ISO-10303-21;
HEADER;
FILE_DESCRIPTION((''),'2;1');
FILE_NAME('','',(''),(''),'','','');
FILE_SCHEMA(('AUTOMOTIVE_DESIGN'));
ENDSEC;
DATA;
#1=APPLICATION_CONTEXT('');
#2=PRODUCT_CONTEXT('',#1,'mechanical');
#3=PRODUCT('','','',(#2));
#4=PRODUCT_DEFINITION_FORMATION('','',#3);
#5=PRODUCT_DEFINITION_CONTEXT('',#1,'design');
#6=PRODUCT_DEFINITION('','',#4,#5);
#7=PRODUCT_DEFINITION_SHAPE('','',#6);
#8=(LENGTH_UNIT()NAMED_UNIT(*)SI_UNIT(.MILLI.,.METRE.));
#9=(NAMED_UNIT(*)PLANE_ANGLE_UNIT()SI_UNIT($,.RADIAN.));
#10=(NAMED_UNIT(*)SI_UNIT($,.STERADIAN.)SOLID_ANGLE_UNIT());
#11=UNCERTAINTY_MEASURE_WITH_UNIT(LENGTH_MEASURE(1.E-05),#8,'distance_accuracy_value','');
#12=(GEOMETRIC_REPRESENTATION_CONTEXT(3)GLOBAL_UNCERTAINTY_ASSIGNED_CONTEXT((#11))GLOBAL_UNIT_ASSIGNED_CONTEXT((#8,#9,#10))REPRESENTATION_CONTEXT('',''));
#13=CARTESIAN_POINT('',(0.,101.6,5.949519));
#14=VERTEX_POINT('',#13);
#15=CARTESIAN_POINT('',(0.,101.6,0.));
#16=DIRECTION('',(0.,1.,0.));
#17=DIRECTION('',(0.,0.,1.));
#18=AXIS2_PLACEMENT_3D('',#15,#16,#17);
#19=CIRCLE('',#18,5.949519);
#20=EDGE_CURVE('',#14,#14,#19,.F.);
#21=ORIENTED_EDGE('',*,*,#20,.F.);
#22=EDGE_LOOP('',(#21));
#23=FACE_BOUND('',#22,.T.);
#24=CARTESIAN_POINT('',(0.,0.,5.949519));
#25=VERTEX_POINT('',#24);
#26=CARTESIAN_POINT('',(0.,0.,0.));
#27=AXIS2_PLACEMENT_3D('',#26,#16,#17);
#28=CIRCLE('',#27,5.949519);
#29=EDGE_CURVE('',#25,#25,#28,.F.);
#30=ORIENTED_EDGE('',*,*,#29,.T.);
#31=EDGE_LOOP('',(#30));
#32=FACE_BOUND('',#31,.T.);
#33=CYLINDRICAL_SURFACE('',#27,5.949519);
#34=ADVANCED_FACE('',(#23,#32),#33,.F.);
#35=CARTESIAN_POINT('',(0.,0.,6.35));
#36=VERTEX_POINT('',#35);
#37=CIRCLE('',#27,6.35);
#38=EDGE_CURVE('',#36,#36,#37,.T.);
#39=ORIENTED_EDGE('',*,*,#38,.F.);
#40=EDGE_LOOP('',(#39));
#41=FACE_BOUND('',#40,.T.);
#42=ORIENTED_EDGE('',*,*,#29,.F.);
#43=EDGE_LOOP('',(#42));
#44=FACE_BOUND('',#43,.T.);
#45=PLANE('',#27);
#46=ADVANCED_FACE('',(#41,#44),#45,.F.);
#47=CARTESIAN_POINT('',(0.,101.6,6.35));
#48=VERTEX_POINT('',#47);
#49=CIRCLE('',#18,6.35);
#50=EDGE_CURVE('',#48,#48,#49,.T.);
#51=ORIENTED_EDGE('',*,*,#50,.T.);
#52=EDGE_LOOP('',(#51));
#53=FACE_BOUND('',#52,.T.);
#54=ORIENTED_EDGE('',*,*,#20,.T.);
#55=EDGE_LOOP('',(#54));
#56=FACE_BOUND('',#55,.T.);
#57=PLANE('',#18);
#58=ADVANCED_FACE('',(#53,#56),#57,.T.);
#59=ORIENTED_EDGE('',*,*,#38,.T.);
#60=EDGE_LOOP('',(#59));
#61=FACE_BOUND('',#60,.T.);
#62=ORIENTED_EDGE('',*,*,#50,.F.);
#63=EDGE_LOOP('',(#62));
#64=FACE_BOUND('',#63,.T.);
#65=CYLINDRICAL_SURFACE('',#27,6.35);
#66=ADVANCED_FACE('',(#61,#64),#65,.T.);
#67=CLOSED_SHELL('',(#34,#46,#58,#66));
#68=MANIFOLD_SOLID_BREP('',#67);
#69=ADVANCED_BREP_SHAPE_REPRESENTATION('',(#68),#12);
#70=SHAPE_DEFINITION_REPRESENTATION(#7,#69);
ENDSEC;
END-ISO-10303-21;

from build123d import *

# Parameters (mm, degrees)
SKETCH1_R   = 6.35
SKETCH1_R_2 = 5.94951949


with BuildPart() as part:
    # Sweep1: sweep along a path in Sketch2
    with BuildLine(Plane(origin=(0, 0, 0), x_dir=(0, 0, -1), z_dir=(1, 0, 0))) as sweep1_path:
        Line((0, 0), (0, 101.6))
    # Sketch1 → Sweep1 (sweep)
    with BuildSketch(Plane(origin=(0, 0, 0), x_dir=(1, 0, 0), z_dir=(0, 1, 0))):
        Circle(SKETCH1_R)
        Circle(SKETCH1_R_2, mode=Mode.SUBTRACT)
    sweep(path=sweep1_path.line)


solid = part.part
